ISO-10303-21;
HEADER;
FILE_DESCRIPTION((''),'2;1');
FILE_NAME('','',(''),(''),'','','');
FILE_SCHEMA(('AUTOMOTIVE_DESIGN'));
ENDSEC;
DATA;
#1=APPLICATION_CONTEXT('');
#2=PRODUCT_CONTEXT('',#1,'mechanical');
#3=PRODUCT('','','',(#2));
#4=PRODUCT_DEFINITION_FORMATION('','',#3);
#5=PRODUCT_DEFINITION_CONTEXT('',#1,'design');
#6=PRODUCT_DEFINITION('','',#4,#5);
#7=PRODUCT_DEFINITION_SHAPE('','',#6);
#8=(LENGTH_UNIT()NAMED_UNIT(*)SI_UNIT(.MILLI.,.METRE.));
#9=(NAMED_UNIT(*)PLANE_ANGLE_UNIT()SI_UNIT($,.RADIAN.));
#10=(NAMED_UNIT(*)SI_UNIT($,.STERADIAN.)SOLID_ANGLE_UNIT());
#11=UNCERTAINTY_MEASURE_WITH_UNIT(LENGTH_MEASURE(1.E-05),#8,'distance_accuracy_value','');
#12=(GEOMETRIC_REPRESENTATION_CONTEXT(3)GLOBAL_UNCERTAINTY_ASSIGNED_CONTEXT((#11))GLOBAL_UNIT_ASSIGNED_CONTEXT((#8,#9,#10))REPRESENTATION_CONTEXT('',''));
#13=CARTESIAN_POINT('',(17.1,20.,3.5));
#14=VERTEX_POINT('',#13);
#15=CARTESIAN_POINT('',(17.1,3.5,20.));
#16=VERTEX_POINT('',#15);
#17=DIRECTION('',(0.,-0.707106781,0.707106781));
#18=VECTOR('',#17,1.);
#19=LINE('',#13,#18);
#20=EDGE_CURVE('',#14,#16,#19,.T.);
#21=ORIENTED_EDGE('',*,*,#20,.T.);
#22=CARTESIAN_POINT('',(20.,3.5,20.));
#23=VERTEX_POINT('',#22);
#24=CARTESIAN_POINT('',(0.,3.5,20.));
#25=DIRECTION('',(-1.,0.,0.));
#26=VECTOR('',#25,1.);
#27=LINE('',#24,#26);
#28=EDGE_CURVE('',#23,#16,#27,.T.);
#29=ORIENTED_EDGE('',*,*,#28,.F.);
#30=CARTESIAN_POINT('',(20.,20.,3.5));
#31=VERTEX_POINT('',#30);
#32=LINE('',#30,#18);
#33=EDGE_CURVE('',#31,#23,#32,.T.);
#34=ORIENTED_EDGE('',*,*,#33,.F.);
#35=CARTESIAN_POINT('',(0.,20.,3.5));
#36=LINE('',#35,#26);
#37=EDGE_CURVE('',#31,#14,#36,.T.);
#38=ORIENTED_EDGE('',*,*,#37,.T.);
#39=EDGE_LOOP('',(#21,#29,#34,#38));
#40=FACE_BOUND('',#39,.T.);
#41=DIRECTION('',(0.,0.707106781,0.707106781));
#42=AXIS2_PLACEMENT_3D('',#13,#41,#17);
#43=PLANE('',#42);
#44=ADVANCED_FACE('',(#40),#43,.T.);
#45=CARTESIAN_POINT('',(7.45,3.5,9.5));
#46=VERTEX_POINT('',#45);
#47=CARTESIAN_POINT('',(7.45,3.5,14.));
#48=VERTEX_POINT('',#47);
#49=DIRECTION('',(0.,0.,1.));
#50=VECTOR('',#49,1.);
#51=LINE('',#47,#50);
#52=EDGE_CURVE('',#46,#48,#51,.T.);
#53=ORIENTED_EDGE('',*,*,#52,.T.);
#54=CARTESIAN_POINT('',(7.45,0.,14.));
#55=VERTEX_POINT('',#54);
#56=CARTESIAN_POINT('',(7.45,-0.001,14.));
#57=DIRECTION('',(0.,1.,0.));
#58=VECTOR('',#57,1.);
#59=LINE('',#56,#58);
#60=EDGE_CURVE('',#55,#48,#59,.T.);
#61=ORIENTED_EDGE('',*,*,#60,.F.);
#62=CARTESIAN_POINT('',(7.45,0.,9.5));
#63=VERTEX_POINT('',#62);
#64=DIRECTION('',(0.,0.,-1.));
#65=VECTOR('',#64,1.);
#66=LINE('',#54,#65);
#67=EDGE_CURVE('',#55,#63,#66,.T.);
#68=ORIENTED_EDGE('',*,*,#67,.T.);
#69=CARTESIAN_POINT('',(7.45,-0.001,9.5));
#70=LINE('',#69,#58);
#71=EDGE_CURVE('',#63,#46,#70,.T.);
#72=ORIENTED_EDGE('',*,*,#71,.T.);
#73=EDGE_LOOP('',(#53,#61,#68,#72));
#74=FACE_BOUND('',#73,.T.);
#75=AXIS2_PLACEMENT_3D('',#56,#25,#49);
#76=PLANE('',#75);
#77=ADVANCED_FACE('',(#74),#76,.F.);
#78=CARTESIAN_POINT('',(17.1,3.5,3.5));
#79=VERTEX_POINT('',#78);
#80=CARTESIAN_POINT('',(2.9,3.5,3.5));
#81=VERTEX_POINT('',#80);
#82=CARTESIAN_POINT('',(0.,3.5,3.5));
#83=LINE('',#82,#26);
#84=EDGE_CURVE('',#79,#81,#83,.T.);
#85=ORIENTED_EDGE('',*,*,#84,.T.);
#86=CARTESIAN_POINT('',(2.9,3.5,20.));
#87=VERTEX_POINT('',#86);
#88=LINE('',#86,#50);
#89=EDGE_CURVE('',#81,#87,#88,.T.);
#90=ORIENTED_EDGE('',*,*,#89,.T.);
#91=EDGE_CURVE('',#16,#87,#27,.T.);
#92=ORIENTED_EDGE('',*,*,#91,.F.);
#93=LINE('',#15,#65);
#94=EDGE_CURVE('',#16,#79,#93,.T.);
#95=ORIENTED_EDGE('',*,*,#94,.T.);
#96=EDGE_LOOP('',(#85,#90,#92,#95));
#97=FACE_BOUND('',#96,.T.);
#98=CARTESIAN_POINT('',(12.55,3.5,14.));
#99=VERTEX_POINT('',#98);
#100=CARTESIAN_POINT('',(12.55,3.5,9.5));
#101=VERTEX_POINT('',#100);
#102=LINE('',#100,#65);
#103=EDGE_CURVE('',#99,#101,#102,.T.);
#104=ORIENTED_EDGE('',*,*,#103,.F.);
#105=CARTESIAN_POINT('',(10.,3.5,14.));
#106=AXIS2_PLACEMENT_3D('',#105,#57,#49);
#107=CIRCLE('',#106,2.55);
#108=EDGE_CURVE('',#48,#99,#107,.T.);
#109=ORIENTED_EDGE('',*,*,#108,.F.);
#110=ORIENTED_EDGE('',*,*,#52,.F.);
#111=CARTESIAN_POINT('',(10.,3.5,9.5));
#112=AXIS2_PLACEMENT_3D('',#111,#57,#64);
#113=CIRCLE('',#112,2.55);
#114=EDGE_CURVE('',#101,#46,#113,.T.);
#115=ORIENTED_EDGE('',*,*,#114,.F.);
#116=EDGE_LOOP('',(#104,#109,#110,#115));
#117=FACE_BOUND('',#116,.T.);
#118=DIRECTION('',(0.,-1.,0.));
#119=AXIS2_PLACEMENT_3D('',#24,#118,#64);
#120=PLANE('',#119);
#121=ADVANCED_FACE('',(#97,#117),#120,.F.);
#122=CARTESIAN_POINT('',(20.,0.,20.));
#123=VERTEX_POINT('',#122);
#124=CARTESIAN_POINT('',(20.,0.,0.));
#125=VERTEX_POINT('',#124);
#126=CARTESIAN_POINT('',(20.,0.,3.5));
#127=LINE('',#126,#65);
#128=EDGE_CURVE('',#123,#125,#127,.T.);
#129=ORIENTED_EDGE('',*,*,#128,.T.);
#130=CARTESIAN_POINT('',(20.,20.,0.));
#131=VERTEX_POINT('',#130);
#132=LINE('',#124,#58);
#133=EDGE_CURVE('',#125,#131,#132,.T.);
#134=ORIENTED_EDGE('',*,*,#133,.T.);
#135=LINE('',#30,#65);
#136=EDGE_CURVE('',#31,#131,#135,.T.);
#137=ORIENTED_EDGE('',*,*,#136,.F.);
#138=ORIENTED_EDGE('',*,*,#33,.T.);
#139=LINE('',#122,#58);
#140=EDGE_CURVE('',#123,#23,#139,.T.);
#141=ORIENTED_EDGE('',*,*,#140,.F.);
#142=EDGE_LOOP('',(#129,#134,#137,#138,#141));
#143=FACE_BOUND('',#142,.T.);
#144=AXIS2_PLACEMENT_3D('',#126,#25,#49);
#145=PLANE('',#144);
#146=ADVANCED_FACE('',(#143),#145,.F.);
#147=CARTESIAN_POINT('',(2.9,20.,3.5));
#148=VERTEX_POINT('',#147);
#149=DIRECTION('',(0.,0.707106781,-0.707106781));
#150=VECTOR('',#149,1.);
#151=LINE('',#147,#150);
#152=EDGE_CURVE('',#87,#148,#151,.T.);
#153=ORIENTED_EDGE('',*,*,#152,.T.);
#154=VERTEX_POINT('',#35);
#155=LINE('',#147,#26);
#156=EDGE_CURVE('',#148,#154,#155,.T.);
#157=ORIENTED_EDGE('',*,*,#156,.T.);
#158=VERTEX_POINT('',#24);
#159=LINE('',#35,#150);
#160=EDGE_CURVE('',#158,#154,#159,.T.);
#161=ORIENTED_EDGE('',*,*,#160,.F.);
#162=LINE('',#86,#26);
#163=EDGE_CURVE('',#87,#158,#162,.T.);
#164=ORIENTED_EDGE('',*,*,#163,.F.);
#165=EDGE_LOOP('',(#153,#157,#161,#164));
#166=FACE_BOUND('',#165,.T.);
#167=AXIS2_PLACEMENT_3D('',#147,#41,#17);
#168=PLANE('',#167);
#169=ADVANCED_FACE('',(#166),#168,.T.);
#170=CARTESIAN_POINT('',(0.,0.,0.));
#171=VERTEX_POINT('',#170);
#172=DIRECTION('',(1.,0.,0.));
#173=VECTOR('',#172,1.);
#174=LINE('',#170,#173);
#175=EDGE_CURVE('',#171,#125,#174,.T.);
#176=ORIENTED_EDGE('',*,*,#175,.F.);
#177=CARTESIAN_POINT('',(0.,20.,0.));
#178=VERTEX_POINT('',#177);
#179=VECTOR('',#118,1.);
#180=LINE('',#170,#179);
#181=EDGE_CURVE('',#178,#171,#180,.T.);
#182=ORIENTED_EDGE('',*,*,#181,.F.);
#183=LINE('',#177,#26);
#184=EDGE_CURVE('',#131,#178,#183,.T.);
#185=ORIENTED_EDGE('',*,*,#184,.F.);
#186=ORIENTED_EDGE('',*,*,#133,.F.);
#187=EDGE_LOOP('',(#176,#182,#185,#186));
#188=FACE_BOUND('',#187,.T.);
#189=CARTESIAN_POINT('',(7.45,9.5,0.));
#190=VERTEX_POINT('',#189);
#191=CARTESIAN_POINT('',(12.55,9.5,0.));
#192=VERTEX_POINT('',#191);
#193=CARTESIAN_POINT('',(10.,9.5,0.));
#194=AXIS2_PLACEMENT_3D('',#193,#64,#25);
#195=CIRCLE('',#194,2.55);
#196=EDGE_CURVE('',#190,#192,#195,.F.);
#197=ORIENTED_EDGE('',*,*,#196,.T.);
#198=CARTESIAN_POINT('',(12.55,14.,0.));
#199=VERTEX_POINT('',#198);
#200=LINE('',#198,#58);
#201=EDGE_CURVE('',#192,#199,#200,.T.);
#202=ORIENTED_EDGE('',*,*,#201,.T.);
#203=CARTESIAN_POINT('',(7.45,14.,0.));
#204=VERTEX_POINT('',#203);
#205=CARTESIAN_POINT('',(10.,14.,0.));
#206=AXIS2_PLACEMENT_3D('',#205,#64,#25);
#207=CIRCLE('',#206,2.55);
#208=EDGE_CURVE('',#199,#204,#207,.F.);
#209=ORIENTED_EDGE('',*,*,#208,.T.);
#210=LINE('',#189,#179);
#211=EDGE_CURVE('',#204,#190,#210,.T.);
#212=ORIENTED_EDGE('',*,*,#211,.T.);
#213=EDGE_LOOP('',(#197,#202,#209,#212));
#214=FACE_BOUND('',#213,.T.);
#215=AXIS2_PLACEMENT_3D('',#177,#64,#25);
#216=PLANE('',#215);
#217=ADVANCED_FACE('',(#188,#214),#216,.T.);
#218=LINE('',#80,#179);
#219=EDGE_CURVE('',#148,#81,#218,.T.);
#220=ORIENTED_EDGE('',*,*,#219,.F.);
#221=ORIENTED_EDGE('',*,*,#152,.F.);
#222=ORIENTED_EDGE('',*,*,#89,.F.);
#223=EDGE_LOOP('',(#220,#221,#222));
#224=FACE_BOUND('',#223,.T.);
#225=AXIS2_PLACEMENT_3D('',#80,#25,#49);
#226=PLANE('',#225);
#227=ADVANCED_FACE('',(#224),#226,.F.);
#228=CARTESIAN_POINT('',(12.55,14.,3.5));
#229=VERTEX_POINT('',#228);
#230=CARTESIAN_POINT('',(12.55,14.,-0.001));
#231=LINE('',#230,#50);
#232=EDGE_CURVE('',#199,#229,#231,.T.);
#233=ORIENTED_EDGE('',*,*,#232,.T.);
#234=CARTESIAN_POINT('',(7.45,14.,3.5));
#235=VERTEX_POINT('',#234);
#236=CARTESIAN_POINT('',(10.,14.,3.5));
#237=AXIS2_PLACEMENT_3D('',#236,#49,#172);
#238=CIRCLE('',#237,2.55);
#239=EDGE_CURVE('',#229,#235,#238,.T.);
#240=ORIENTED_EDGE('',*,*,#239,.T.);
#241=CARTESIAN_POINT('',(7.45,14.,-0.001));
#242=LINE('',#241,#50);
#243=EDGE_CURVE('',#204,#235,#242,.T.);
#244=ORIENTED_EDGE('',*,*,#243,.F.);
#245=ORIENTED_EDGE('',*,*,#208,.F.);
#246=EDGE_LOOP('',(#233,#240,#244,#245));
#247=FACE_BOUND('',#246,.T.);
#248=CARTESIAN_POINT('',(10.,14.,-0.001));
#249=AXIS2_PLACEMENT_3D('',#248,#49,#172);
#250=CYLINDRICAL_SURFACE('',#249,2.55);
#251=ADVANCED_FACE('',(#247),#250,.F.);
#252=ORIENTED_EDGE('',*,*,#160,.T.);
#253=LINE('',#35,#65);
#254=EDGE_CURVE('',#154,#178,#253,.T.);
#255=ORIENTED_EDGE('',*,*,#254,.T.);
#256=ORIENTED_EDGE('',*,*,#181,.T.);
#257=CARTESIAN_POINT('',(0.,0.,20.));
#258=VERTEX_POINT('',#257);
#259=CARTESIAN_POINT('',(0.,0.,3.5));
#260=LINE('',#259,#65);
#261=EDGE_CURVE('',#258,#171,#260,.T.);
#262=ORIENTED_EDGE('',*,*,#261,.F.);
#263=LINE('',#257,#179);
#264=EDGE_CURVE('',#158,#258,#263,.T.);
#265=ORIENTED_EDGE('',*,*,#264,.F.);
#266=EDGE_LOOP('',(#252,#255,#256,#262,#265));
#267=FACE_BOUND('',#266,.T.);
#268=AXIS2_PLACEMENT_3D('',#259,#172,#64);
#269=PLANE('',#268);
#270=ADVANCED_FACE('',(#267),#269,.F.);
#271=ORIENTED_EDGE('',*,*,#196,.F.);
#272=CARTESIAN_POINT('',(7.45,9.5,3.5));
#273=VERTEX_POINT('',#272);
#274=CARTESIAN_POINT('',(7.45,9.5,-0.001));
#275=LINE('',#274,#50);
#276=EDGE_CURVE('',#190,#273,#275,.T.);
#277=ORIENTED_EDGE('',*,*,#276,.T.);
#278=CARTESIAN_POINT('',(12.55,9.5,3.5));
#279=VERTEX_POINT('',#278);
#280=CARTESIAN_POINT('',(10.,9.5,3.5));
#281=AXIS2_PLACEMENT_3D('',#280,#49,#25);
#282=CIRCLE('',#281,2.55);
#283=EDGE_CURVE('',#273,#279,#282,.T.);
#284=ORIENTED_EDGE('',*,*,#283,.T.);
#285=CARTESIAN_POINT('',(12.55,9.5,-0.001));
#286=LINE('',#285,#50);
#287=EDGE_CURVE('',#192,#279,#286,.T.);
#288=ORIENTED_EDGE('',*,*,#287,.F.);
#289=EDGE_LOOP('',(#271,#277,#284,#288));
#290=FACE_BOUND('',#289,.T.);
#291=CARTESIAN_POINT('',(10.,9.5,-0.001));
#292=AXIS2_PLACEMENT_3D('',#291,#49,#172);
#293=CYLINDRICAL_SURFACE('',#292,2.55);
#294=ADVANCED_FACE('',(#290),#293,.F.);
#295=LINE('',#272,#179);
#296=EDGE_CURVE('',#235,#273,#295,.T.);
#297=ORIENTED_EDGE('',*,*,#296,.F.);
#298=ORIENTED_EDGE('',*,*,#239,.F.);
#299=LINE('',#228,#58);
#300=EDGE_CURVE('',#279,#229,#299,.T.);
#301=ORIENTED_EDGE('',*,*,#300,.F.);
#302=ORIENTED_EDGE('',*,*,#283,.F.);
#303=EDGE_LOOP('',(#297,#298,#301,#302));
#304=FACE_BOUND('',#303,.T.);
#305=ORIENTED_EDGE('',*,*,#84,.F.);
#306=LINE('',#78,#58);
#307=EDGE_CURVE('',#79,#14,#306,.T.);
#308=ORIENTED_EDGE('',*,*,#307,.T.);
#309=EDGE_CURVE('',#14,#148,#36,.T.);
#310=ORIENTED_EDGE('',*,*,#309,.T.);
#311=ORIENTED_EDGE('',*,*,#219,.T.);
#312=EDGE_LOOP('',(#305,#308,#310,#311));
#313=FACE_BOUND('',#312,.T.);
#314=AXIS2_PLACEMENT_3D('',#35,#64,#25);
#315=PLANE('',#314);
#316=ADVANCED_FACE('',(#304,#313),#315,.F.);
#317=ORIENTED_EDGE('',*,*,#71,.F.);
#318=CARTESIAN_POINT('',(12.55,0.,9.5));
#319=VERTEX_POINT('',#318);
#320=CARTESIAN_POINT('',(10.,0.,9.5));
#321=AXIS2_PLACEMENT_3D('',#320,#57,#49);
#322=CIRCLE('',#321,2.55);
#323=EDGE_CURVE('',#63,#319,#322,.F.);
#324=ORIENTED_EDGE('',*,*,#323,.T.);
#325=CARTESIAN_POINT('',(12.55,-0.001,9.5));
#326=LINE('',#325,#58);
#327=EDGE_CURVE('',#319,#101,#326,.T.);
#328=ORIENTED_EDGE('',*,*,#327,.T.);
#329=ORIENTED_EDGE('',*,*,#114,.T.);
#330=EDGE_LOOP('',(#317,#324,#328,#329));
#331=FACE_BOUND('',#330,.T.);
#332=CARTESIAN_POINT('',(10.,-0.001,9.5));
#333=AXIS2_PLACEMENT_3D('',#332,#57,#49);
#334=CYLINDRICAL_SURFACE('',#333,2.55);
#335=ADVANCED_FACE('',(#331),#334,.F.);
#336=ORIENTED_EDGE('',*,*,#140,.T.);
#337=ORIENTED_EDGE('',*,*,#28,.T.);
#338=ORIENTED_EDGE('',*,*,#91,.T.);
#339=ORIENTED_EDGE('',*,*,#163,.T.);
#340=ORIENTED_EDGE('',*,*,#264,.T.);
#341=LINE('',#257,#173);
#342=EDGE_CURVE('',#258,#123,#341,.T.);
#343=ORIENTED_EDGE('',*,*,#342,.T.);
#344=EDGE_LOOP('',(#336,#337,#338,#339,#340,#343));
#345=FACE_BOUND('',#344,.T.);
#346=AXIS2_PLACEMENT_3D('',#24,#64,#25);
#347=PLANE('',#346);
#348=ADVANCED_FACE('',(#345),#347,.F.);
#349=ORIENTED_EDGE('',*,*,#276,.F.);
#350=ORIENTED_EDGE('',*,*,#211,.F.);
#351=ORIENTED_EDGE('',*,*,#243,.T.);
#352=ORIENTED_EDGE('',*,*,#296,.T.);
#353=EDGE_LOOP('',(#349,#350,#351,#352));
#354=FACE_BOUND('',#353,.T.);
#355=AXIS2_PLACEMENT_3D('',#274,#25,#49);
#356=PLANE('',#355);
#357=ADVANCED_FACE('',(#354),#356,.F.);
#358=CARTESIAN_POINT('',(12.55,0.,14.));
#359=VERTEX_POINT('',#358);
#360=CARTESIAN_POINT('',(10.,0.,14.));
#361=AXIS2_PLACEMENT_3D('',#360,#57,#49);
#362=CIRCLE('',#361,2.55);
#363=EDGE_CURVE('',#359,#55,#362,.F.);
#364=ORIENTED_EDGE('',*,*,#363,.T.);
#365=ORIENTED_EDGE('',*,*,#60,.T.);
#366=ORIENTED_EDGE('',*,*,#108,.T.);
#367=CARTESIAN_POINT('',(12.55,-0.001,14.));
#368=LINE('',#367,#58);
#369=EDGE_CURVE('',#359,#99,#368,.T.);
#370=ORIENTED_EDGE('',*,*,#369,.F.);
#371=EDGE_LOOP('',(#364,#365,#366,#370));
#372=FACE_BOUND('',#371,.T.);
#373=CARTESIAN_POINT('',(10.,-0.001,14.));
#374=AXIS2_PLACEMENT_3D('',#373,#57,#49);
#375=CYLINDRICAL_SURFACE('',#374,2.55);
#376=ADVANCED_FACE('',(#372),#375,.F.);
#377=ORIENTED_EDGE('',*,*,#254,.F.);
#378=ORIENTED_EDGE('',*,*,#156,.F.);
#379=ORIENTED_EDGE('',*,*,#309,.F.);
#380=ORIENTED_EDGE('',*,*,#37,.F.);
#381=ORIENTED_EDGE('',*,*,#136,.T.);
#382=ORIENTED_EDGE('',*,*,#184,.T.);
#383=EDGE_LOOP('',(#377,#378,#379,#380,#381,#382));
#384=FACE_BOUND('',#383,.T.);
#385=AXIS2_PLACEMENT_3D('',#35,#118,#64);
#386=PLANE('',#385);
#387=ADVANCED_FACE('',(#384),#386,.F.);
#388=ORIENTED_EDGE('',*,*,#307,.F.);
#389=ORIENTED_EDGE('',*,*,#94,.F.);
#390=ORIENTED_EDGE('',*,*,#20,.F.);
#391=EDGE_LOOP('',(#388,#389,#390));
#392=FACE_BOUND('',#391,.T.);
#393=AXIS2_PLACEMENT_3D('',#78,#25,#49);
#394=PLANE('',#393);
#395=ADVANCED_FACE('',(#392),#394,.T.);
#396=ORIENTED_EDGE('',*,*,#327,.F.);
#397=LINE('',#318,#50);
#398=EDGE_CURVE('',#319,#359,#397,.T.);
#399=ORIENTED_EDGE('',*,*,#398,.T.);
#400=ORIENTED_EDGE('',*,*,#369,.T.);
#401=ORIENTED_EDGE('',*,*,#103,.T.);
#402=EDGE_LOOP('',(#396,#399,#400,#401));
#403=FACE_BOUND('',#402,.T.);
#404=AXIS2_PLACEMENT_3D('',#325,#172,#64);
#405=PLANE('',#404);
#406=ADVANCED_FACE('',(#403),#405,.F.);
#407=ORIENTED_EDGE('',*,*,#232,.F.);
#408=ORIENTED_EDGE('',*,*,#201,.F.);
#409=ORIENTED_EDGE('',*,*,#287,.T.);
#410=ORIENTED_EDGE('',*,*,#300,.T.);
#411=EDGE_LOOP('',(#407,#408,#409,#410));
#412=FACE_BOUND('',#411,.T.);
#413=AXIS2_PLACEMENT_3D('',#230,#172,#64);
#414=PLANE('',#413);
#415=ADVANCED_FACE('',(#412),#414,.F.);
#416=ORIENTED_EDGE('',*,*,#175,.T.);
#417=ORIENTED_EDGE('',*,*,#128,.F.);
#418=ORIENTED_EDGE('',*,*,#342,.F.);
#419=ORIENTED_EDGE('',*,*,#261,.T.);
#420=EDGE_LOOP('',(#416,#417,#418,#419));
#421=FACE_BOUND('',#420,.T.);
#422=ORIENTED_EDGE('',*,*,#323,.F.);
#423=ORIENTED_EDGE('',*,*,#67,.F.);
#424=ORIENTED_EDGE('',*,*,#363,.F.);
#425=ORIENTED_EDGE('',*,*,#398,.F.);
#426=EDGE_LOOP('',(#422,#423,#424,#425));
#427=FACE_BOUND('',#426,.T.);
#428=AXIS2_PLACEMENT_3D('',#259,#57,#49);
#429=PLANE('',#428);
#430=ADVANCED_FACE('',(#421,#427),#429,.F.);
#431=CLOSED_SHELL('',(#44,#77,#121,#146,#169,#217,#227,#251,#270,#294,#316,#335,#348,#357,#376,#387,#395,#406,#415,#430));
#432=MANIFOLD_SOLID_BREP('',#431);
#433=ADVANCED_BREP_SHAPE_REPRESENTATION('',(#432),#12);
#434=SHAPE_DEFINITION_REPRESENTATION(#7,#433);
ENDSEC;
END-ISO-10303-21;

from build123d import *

# Parameters (mm, degrees)
SKETCH1_W          = 20
SKETCH1_H          = 20
EXTRUDE1_DEPTH     = 3.5
SKETCH2_W          = 20
SKETCH2_H          = 3.5
EXTRUDE2_DEPTH     = 16.5
EXTRUDE3_DEPTH     = 2.9
EXTRUDE4_DEPTH     = 2.9
CUT_EXTRUDE1_REACH = 5.5
CUT_EXTRUDE2_REACH = 5.5


with BuildPart() as part:
    # Sketch1 → Extrude1 (new body)
    with BuildSketch(Plane.XY):
        with Locations((10, 10)):
            Rectangle(SKETCH1_W, SKETCH1_H)
    extrude(amount=EXTRUDE1_DEPTH)

    # Sketch2 → Extrude2 (add)
    with BuildSketch(Plane.XY.offset(3.5)):
        with Locations((10, 1.75)):
            Rectangle(SKETCH2_W, SKETCH2_H)
    extrude(amount=EXTRUDE2_DEPTH)

    # Sketch5 → Extrude3 (add)
    with BuildSketch(Plane(origin=(20, 0, 0), x_dir=(0, 0, -1), z_dir=(1, 0, 0))):
        Polygon((-3.5, 20), (-20, 3.5), (-3.5, 3.5), align=None)
    extrude(amount=-EXTRUDE3_DEPTH)

    # Sketch6 → Extrude4 (add)
    with BuildSketch(Plane.ZY):
        Polygon((3.5, 20), (20, 3.5), (3.5, 3.5), align=None)
    extrude(amount=-EXTRUDE4_DEPTH)

    # Sketch7 → Cut-Extrude1 (cut, up to next)
    with BuildSketch(Plane(origin=(0, 3.5, 0), x_dir=(1, 0, 0), z_dir=(0, 1, 0)), mode=Mode.PRIVATE) as cut_extrude1_sk1:
        with BuildLine():
            Line((7.45, -14), (7.45, -9.5))
            ThreePointArc((7.45, -9.5), (10, -6.95), (12.55, -9.5))
            Line((12.55, -9.5), (12.55, -14))
            ThreePointArc((12.55, -14), (10, -16.55), (7.45, -14))
        make_face()
    cut_extrude1_tool1 = extrude(cut_extrude1_sk1.sketch, amount=-CUT_EXTRUDE1_REACH, mode=Mode.PRIVATE) & part.part
    add(cut_extrude1_tool1.solids().sort_by_distance((10, 3.5, 11.75))[0], mode=Mode.SUBTRACT)

    # Sketch8 → Cut-Extrude2 (cut, up to next)
    with BuildSketch(Plane(origin=(0, 0, 3.5), x_dir=(-1, 0, 0), z_dir=(0, 0, 1)), mode=Mode.PRIVATE) as cut_extrude2_sk1:
        with BuildLine():
            Line((-12.55, -14), (-12.55, -9.5))
            ThreePointArc((-12.55, -9.5), (-10, -6.95), (-7.45, -9.5))
            Line((-7.45, -9.5), (-7.45, -14))
            ThreePointArc((-7.45, -14), (-10, -16.55), (-12.55, -14))
        make_face()
    cut_extrude2_tool1 = extrude(cut_extrude2_sk1.sketch, amount=-CUT_EXTRUDE2_REACH, mode=Mode.PRIVATE) & part.part
    add(cut_extrude2_tool1.solids().sort_by_distance((10, 11.75, 3.5))[0], mode=Mode.SUBTRACT)


solid = part.part
